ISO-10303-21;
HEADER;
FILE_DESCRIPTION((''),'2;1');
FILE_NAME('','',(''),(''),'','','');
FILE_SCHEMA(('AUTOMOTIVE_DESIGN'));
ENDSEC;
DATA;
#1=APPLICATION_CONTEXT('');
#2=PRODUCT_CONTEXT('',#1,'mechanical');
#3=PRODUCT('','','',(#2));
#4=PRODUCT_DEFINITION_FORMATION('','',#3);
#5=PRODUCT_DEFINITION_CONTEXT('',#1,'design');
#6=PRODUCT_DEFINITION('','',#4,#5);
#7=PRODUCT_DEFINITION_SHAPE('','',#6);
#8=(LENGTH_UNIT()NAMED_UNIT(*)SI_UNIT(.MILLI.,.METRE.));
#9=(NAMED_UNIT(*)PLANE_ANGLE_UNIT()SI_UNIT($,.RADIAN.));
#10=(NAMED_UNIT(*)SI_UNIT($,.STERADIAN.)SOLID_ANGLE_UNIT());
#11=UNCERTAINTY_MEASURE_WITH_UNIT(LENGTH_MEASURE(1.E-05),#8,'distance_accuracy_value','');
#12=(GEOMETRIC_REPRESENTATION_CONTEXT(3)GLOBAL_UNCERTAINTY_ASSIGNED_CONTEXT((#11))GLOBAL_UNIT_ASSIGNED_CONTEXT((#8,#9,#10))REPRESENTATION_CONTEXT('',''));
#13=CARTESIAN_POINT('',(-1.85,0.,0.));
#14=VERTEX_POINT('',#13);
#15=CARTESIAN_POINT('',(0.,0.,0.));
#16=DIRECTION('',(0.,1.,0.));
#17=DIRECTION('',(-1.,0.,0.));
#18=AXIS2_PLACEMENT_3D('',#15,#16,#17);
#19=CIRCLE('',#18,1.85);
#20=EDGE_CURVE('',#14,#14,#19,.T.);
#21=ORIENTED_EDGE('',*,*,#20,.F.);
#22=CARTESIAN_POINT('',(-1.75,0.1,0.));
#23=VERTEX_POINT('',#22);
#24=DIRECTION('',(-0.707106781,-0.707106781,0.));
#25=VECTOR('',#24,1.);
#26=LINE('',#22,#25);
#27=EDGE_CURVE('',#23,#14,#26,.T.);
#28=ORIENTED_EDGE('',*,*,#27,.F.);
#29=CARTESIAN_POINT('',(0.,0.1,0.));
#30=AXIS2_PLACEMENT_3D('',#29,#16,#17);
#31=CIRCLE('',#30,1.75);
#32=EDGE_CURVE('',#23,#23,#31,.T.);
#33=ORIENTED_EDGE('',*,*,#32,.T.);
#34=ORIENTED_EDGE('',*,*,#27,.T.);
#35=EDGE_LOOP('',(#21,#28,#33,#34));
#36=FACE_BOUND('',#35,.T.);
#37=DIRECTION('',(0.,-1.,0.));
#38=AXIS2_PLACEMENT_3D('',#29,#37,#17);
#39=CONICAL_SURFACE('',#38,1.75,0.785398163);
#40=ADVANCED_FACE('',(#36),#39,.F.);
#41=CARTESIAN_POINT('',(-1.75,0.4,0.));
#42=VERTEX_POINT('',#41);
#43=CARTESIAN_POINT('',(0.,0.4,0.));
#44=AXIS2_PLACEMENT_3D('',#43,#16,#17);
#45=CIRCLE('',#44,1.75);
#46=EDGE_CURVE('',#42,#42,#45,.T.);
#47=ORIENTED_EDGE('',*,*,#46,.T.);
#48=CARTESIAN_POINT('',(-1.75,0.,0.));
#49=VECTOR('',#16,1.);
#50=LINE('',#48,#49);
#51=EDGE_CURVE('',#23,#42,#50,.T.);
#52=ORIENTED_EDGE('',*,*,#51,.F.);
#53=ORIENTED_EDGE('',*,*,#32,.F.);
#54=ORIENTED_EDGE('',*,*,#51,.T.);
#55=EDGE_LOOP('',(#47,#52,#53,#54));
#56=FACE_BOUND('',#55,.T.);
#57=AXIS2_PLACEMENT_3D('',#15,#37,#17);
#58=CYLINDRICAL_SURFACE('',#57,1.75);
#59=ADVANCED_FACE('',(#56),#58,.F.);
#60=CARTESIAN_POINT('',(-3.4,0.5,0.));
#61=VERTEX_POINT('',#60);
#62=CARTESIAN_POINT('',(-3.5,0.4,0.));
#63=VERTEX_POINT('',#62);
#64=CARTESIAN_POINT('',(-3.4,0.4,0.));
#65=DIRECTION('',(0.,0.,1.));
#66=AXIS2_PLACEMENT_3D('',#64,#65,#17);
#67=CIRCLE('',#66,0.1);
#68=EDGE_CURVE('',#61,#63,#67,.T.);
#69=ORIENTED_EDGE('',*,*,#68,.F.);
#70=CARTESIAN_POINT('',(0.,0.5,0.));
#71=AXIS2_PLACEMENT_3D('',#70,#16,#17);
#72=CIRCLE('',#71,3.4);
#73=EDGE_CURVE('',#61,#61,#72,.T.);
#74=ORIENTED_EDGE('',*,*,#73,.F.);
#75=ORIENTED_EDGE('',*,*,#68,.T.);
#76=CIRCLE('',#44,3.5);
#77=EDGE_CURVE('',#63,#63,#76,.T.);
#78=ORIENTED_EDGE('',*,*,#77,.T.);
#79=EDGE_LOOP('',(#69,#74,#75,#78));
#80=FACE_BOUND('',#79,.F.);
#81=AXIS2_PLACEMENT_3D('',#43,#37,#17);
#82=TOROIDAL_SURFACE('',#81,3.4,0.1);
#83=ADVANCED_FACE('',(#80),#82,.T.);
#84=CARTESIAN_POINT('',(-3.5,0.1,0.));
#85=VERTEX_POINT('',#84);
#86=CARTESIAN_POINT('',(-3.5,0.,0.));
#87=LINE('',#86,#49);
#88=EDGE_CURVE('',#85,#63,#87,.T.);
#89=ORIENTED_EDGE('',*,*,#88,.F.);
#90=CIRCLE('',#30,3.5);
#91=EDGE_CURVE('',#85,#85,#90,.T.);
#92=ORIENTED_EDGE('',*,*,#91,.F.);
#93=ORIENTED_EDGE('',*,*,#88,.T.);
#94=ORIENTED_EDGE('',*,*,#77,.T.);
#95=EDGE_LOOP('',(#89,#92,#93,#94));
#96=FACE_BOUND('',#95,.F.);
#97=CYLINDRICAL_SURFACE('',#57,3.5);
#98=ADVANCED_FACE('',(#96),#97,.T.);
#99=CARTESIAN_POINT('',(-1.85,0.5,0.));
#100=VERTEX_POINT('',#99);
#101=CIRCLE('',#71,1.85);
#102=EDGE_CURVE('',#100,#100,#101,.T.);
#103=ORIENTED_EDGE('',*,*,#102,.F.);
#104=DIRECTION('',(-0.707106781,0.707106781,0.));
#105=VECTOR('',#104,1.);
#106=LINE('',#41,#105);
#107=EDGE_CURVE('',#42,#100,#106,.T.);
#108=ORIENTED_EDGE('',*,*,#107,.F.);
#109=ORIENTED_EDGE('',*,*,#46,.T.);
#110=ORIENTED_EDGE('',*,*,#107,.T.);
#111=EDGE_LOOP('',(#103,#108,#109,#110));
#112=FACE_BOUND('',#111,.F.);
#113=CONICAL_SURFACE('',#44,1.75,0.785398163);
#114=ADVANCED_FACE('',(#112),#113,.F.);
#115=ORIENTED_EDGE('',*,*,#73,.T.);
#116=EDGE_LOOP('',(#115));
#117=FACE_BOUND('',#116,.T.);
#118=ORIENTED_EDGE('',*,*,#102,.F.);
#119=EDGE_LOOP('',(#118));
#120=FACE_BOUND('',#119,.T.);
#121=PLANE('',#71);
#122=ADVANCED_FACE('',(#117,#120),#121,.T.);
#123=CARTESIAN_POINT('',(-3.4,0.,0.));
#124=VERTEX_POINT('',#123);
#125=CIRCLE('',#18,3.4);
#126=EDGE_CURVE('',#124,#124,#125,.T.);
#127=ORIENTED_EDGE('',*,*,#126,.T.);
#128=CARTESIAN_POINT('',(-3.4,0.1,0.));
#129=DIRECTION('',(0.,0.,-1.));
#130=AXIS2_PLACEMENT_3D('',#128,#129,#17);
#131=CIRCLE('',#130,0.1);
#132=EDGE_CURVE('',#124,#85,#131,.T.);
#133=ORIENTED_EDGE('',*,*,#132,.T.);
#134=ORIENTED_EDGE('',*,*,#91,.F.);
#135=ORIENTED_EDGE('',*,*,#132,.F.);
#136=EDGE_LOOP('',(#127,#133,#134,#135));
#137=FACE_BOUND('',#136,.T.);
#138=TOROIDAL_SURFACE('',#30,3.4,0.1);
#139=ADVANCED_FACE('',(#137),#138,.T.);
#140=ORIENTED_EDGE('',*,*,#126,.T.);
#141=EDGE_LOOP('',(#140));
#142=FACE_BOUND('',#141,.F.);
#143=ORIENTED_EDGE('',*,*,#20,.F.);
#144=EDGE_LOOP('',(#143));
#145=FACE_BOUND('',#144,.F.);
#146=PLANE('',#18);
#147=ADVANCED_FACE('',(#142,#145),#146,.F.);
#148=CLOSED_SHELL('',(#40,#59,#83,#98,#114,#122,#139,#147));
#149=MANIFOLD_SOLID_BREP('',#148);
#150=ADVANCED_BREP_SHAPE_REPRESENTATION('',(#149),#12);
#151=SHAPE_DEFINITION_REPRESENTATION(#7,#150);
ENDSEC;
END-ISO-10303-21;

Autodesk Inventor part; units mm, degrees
ref_plane "YZ Plane" through (0, 0, 0) normal (1, 0, 0) x (0, 1, 0)
ref_plane "XZ Plane" through (0, 0, 0) normal (0, 1, 0) x (-1, 0, 0)
ref_plane "XY Plane" through (0, 0, 0) normal (0, 0, 1) x (1, 0, 0)
sketch "Sketch1" plane through (0, 0, 0) normal (0, 1, 0) x (-1, 0, 0)
  circle A0 centre (0, 0) radius 1.75
  circle A1 centre (0, 0) radius 3.5
  dimension "d0" = 3.5
  dimension "d1" = 7
extrude "Extrusion1" add sketch "Sketch1" along normal blind 0.5
chamfer "Chamfer1" distance 0.1 angle 45 2 edges at (1.75, 0, 0) (1.75, 0.5, 0)
fillet "Fillet1" radius 0.1 2 edges at (3.5, 0.5, 0) (3.5, 0, 0)
properties part number "M3 Screw Washer" material "Stainless Steel"
